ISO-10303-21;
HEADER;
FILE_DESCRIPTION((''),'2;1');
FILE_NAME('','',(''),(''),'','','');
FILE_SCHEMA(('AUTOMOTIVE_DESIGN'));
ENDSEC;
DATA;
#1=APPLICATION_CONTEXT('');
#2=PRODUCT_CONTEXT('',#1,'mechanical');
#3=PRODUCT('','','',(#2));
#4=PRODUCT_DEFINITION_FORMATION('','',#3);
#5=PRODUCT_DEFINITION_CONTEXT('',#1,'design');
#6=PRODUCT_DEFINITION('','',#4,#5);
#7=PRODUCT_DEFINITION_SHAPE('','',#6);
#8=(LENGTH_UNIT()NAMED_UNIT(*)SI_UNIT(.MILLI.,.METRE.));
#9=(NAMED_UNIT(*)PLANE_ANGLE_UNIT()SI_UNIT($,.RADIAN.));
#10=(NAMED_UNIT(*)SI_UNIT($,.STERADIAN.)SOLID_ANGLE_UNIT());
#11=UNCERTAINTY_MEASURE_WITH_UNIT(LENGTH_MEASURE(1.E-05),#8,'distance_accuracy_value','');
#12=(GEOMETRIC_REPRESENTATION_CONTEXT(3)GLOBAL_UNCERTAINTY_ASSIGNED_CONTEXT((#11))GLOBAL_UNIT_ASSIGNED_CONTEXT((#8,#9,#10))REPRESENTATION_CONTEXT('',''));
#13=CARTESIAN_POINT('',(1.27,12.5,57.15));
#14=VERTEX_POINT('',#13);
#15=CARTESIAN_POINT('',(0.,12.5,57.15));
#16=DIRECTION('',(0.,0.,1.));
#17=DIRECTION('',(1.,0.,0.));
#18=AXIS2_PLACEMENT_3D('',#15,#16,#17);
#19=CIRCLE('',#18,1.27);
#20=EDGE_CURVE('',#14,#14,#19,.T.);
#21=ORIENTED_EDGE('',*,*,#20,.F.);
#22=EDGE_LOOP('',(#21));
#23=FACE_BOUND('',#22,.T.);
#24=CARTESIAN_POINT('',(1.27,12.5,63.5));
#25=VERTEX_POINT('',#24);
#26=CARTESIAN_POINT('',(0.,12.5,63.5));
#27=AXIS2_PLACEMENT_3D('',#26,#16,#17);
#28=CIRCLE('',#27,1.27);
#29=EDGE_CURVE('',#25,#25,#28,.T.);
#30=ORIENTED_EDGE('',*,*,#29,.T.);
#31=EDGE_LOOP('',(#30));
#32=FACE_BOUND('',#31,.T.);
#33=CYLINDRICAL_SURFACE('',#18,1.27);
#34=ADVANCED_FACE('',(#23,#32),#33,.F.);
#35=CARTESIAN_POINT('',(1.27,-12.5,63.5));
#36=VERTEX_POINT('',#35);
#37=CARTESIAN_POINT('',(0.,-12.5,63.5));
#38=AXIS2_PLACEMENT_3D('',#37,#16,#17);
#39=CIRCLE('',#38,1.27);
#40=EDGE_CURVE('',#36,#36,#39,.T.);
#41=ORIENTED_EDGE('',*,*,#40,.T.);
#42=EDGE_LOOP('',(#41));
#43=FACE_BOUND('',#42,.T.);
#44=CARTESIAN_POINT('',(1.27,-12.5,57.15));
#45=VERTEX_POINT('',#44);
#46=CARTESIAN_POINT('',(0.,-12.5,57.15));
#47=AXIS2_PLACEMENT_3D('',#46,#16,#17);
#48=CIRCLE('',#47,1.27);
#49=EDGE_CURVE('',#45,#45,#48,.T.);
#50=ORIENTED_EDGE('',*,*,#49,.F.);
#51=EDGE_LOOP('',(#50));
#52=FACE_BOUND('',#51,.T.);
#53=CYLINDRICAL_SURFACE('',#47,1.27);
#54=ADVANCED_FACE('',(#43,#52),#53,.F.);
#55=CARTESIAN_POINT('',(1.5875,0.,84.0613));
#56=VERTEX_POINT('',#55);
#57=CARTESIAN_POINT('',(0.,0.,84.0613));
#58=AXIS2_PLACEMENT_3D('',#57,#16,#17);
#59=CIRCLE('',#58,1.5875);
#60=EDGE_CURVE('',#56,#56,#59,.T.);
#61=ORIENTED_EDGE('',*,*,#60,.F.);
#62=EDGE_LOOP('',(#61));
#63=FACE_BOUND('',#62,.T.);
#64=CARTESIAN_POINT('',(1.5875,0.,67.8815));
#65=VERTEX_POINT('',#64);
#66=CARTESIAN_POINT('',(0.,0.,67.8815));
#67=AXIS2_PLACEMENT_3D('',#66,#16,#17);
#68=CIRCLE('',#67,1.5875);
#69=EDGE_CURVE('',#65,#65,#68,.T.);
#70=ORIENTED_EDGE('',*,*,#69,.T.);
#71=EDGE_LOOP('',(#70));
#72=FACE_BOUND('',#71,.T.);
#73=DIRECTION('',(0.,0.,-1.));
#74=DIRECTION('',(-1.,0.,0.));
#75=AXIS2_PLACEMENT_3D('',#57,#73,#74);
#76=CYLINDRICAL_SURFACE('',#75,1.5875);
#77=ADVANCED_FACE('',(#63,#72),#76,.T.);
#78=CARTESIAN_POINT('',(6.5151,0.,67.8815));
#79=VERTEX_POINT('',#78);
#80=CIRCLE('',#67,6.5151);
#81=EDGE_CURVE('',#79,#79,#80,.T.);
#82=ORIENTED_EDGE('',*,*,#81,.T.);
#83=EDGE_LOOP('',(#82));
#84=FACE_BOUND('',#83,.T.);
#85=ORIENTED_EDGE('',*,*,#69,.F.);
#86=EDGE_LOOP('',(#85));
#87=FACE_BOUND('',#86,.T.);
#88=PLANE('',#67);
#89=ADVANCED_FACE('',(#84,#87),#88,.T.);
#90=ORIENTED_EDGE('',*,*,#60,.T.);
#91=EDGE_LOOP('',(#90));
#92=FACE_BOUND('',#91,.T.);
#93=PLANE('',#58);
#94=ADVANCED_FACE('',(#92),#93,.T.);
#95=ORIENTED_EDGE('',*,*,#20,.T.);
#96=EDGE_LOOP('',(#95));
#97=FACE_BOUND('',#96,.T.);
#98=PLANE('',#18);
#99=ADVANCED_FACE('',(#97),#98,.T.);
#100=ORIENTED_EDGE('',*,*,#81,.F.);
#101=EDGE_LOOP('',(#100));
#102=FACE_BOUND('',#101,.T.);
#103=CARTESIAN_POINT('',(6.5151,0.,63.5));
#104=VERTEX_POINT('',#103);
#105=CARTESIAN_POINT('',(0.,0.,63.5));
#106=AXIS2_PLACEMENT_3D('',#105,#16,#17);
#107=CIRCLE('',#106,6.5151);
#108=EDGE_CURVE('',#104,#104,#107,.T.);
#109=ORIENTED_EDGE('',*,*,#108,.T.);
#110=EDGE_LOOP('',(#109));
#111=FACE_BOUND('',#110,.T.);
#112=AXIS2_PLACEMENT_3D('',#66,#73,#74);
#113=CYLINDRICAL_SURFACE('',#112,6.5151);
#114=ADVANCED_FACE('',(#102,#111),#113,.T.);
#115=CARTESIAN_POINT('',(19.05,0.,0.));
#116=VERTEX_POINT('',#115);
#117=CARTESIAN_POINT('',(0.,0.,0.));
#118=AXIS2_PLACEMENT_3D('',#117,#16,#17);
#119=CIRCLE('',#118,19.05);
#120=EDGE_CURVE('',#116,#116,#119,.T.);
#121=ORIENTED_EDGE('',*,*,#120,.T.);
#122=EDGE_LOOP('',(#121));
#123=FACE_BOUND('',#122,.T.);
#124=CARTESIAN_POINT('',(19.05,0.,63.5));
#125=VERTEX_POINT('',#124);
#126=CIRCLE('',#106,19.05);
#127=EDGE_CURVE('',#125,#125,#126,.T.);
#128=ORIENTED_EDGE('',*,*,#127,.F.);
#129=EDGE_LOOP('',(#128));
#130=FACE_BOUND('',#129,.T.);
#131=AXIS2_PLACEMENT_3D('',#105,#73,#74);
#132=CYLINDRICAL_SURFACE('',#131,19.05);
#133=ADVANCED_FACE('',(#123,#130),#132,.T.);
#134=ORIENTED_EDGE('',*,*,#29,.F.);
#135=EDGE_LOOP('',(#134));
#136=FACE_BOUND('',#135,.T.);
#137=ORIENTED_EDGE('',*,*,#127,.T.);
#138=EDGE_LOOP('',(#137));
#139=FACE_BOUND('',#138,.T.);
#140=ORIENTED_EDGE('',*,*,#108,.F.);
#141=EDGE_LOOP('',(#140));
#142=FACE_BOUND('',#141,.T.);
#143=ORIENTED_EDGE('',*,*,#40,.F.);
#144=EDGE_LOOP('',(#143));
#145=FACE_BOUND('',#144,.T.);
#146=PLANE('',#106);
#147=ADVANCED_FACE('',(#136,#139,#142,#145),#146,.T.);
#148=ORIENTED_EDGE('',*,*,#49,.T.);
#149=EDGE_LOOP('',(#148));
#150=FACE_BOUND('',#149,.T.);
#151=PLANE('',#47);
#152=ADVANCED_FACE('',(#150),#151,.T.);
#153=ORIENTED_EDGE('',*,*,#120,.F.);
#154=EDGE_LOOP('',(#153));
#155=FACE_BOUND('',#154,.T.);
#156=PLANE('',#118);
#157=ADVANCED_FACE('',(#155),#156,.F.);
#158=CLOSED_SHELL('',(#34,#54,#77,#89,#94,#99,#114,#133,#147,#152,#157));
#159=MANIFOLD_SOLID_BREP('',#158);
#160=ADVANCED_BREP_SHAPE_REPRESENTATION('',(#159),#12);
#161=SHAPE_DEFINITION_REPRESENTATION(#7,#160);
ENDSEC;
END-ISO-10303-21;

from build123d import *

# Parameters (mm, degrees)
SKETCH1_R           = 19.05
BOSS_EXTRUDE1_DEPTH = 63.5
SKETCH2_R           = 6.5151
BOSS_EXTRUDE2_DEPTH = 4.3815
SKETCH3_R           = 1.5875
BOSS_EXTRUDE3_DEPTH = 16.1798
SKETCH4_R           = 1.27
CUT_EXTRUDE1_DEPTH  = 6.35


with BuildPart() as part:
    # Sketch1 → Boss-Extrude1 (new body)
    with BuildSketch(Plane.XY):
        Circle(SKETCH1_R)
    extrude(amount=BOSS_EXTRUDE1_DEPTH)

    # Sketch2 → Boss-Extrude2 (add)
    with BuildSketch(Plane.XY.offset(63.5)):
        Circle(SKETCH2_R)
    extrude(amount=BOSS_EXTRUDE2_DEPTH)

    # Sketch3 → Boss-Extrude3 (add)
    with BuildSketch(Plane.XY.offset(67.8815)):
        Circle(SKETCH3_R)
    extrude(amount=BOSS_EXTRUDE3_DEPTH)

    # Sketch4 → Cut-Extrude1 (cut)
    with BuildSketch(Plane.XY.offset(63.5)):
        with Locations((0, 12.5)):
            Circle(SKETCH4_R)
        with Locations((0, -12.5)):
            Circle(SKETCH4_R)
    extrude(amount=-CUT_EXTRUDE1_DEPTH, mode=Mode.SUBTRACT)


solid = part.part
